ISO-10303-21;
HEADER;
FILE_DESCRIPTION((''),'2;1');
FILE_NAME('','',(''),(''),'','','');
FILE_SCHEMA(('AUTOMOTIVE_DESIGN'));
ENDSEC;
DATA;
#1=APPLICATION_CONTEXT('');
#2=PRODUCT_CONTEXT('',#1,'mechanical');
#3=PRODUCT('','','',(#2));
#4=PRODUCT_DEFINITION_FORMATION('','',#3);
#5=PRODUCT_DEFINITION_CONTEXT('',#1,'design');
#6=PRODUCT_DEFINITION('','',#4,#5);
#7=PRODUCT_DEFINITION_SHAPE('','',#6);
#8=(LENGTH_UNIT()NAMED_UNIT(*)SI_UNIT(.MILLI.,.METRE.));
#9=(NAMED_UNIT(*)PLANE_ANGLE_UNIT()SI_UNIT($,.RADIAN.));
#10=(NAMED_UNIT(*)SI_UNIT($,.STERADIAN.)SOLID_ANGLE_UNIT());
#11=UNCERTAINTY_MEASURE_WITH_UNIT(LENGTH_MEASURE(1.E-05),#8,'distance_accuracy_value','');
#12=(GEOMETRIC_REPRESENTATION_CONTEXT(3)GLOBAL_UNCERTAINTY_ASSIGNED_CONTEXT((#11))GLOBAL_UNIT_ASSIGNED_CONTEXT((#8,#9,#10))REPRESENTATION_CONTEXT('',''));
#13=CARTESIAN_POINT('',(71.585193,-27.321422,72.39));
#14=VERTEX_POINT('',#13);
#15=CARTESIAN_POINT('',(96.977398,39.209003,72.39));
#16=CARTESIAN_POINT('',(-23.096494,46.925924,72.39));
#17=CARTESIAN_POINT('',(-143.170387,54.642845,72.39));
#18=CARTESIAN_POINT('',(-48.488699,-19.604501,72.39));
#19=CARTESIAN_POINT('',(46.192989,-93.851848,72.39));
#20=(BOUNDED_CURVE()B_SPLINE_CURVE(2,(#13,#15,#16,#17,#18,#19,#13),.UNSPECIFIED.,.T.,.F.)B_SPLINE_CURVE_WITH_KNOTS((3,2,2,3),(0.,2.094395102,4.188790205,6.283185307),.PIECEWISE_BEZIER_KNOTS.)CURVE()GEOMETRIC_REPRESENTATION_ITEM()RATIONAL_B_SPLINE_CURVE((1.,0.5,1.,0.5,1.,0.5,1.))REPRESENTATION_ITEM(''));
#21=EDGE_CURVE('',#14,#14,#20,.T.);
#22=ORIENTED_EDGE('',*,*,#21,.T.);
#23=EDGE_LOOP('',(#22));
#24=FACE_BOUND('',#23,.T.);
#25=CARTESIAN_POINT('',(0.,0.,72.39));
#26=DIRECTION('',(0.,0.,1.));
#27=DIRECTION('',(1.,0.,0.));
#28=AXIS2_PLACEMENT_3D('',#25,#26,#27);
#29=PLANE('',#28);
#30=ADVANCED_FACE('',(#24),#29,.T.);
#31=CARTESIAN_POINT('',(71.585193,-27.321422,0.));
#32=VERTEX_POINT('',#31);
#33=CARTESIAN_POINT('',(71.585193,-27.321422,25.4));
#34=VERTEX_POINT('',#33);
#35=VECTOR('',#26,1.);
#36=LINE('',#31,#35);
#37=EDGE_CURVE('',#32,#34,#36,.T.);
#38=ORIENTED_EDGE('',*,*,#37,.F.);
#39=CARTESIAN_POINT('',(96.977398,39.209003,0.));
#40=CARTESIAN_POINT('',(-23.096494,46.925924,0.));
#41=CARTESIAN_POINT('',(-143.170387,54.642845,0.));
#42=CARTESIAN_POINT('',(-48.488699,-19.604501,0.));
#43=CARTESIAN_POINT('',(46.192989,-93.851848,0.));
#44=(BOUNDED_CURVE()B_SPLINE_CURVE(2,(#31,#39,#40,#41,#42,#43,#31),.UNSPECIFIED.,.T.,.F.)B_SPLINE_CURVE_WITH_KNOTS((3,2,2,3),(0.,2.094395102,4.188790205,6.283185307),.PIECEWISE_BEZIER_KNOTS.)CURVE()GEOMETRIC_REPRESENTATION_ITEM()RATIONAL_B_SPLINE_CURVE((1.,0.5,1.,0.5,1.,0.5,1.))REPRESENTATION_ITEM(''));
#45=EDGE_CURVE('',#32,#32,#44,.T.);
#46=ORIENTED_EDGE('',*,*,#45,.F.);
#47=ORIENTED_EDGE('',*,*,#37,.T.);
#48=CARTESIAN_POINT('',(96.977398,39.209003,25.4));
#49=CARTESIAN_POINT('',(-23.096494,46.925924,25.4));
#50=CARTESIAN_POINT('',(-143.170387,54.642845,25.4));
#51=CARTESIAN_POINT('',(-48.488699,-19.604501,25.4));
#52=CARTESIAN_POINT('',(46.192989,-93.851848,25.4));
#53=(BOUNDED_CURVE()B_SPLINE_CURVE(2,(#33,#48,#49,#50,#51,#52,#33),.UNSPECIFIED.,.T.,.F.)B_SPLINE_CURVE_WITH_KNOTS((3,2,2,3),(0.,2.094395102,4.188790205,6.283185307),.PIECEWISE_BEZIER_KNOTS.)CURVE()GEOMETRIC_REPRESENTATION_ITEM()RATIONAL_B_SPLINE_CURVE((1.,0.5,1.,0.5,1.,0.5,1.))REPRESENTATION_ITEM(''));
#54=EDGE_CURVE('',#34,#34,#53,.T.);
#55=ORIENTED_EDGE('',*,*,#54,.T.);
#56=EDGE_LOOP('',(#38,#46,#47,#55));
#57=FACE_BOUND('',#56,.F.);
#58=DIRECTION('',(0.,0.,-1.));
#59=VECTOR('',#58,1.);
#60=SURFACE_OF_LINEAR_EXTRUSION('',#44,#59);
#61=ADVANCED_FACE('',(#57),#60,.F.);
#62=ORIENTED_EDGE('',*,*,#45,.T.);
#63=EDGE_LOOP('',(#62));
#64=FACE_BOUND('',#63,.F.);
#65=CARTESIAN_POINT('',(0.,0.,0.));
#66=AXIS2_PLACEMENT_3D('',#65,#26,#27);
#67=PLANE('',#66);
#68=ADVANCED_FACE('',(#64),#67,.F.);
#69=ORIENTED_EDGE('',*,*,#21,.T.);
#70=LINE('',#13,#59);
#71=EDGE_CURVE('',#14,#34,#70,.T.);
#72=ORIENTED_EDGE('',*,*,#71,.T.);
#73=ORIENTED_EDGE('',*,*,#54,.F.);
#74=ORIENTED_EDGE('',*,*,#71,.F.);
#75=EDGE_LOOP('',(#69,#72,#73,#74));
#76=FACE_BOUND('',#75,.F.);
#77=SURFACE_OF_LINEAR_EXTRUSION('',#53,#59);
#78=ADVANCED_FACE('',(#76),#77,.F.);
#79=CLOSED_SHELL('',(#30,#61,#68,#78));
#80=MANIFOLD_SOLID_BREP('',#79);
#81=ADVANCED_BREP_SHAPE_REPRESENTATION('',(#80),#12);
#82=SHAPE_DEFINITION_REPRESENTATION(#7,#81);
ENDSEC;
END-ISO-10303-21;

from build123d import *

# Parameters (mm, degrees)
F1_DEPTH = 25.4
F2_DEPTH = 46.99
F3_DEPTH = 51.816
F4_DEPTH = 65.278


with BuildPart() as f1:
    # F0 (on Top) → F1 (new body)
    with BuildSketch(Plane.XY):
        with BuildLine():
            add(Edge.make_bspline(
                [(71.5851932764, -27.3214224726), (96.97739757, 39.2090026506), (-23.0964944914, 46.9259237979), (-143.1703865528, 54.6428449452), (-48.488698785, -19.6045013253), (46.1929889828, -93.8518475958), (71.5851932764, -27.3214224726)],
                knots=[0, 0, 0, 2.0943951024, 2.0943951024, 4.1887902048, 4.1887902048, 6.2831853072, 6.2831853072, 6.2831853072], degree=2, weights=[1, 0.5, 1, 0.5, 1, 0.5, 1]))
        make_face()
    extrude(amount=F1_DEPTH)

    # F2 (add): a face of the model
    f2_faces = [f1.faces().sort_by_distance(p)[0] for p in [
        (0.3060236726, 0.090869864, 25.4),
    ]]
    extrude(f2_faces, amount=F2_DEPTH)

    # F3 (add): a face of the model
    f3_faces = [f1.faces().sort_by_distance(p)[0] for p in [
        (0.3060236726, 0.090869864, 0),
    ]]
    extrude(f3_faces, amount=-F3_DEPTH)

    # F4 (add): a face of the model
    f4_faces = [f1.faces().sort_by_distance(p)[0] for p in [
        (0.3060236726, 0.090869864, 0),
    ]]
    extrude(f4_faces, amount=-F4_DEPTH)


solid = f1.part
